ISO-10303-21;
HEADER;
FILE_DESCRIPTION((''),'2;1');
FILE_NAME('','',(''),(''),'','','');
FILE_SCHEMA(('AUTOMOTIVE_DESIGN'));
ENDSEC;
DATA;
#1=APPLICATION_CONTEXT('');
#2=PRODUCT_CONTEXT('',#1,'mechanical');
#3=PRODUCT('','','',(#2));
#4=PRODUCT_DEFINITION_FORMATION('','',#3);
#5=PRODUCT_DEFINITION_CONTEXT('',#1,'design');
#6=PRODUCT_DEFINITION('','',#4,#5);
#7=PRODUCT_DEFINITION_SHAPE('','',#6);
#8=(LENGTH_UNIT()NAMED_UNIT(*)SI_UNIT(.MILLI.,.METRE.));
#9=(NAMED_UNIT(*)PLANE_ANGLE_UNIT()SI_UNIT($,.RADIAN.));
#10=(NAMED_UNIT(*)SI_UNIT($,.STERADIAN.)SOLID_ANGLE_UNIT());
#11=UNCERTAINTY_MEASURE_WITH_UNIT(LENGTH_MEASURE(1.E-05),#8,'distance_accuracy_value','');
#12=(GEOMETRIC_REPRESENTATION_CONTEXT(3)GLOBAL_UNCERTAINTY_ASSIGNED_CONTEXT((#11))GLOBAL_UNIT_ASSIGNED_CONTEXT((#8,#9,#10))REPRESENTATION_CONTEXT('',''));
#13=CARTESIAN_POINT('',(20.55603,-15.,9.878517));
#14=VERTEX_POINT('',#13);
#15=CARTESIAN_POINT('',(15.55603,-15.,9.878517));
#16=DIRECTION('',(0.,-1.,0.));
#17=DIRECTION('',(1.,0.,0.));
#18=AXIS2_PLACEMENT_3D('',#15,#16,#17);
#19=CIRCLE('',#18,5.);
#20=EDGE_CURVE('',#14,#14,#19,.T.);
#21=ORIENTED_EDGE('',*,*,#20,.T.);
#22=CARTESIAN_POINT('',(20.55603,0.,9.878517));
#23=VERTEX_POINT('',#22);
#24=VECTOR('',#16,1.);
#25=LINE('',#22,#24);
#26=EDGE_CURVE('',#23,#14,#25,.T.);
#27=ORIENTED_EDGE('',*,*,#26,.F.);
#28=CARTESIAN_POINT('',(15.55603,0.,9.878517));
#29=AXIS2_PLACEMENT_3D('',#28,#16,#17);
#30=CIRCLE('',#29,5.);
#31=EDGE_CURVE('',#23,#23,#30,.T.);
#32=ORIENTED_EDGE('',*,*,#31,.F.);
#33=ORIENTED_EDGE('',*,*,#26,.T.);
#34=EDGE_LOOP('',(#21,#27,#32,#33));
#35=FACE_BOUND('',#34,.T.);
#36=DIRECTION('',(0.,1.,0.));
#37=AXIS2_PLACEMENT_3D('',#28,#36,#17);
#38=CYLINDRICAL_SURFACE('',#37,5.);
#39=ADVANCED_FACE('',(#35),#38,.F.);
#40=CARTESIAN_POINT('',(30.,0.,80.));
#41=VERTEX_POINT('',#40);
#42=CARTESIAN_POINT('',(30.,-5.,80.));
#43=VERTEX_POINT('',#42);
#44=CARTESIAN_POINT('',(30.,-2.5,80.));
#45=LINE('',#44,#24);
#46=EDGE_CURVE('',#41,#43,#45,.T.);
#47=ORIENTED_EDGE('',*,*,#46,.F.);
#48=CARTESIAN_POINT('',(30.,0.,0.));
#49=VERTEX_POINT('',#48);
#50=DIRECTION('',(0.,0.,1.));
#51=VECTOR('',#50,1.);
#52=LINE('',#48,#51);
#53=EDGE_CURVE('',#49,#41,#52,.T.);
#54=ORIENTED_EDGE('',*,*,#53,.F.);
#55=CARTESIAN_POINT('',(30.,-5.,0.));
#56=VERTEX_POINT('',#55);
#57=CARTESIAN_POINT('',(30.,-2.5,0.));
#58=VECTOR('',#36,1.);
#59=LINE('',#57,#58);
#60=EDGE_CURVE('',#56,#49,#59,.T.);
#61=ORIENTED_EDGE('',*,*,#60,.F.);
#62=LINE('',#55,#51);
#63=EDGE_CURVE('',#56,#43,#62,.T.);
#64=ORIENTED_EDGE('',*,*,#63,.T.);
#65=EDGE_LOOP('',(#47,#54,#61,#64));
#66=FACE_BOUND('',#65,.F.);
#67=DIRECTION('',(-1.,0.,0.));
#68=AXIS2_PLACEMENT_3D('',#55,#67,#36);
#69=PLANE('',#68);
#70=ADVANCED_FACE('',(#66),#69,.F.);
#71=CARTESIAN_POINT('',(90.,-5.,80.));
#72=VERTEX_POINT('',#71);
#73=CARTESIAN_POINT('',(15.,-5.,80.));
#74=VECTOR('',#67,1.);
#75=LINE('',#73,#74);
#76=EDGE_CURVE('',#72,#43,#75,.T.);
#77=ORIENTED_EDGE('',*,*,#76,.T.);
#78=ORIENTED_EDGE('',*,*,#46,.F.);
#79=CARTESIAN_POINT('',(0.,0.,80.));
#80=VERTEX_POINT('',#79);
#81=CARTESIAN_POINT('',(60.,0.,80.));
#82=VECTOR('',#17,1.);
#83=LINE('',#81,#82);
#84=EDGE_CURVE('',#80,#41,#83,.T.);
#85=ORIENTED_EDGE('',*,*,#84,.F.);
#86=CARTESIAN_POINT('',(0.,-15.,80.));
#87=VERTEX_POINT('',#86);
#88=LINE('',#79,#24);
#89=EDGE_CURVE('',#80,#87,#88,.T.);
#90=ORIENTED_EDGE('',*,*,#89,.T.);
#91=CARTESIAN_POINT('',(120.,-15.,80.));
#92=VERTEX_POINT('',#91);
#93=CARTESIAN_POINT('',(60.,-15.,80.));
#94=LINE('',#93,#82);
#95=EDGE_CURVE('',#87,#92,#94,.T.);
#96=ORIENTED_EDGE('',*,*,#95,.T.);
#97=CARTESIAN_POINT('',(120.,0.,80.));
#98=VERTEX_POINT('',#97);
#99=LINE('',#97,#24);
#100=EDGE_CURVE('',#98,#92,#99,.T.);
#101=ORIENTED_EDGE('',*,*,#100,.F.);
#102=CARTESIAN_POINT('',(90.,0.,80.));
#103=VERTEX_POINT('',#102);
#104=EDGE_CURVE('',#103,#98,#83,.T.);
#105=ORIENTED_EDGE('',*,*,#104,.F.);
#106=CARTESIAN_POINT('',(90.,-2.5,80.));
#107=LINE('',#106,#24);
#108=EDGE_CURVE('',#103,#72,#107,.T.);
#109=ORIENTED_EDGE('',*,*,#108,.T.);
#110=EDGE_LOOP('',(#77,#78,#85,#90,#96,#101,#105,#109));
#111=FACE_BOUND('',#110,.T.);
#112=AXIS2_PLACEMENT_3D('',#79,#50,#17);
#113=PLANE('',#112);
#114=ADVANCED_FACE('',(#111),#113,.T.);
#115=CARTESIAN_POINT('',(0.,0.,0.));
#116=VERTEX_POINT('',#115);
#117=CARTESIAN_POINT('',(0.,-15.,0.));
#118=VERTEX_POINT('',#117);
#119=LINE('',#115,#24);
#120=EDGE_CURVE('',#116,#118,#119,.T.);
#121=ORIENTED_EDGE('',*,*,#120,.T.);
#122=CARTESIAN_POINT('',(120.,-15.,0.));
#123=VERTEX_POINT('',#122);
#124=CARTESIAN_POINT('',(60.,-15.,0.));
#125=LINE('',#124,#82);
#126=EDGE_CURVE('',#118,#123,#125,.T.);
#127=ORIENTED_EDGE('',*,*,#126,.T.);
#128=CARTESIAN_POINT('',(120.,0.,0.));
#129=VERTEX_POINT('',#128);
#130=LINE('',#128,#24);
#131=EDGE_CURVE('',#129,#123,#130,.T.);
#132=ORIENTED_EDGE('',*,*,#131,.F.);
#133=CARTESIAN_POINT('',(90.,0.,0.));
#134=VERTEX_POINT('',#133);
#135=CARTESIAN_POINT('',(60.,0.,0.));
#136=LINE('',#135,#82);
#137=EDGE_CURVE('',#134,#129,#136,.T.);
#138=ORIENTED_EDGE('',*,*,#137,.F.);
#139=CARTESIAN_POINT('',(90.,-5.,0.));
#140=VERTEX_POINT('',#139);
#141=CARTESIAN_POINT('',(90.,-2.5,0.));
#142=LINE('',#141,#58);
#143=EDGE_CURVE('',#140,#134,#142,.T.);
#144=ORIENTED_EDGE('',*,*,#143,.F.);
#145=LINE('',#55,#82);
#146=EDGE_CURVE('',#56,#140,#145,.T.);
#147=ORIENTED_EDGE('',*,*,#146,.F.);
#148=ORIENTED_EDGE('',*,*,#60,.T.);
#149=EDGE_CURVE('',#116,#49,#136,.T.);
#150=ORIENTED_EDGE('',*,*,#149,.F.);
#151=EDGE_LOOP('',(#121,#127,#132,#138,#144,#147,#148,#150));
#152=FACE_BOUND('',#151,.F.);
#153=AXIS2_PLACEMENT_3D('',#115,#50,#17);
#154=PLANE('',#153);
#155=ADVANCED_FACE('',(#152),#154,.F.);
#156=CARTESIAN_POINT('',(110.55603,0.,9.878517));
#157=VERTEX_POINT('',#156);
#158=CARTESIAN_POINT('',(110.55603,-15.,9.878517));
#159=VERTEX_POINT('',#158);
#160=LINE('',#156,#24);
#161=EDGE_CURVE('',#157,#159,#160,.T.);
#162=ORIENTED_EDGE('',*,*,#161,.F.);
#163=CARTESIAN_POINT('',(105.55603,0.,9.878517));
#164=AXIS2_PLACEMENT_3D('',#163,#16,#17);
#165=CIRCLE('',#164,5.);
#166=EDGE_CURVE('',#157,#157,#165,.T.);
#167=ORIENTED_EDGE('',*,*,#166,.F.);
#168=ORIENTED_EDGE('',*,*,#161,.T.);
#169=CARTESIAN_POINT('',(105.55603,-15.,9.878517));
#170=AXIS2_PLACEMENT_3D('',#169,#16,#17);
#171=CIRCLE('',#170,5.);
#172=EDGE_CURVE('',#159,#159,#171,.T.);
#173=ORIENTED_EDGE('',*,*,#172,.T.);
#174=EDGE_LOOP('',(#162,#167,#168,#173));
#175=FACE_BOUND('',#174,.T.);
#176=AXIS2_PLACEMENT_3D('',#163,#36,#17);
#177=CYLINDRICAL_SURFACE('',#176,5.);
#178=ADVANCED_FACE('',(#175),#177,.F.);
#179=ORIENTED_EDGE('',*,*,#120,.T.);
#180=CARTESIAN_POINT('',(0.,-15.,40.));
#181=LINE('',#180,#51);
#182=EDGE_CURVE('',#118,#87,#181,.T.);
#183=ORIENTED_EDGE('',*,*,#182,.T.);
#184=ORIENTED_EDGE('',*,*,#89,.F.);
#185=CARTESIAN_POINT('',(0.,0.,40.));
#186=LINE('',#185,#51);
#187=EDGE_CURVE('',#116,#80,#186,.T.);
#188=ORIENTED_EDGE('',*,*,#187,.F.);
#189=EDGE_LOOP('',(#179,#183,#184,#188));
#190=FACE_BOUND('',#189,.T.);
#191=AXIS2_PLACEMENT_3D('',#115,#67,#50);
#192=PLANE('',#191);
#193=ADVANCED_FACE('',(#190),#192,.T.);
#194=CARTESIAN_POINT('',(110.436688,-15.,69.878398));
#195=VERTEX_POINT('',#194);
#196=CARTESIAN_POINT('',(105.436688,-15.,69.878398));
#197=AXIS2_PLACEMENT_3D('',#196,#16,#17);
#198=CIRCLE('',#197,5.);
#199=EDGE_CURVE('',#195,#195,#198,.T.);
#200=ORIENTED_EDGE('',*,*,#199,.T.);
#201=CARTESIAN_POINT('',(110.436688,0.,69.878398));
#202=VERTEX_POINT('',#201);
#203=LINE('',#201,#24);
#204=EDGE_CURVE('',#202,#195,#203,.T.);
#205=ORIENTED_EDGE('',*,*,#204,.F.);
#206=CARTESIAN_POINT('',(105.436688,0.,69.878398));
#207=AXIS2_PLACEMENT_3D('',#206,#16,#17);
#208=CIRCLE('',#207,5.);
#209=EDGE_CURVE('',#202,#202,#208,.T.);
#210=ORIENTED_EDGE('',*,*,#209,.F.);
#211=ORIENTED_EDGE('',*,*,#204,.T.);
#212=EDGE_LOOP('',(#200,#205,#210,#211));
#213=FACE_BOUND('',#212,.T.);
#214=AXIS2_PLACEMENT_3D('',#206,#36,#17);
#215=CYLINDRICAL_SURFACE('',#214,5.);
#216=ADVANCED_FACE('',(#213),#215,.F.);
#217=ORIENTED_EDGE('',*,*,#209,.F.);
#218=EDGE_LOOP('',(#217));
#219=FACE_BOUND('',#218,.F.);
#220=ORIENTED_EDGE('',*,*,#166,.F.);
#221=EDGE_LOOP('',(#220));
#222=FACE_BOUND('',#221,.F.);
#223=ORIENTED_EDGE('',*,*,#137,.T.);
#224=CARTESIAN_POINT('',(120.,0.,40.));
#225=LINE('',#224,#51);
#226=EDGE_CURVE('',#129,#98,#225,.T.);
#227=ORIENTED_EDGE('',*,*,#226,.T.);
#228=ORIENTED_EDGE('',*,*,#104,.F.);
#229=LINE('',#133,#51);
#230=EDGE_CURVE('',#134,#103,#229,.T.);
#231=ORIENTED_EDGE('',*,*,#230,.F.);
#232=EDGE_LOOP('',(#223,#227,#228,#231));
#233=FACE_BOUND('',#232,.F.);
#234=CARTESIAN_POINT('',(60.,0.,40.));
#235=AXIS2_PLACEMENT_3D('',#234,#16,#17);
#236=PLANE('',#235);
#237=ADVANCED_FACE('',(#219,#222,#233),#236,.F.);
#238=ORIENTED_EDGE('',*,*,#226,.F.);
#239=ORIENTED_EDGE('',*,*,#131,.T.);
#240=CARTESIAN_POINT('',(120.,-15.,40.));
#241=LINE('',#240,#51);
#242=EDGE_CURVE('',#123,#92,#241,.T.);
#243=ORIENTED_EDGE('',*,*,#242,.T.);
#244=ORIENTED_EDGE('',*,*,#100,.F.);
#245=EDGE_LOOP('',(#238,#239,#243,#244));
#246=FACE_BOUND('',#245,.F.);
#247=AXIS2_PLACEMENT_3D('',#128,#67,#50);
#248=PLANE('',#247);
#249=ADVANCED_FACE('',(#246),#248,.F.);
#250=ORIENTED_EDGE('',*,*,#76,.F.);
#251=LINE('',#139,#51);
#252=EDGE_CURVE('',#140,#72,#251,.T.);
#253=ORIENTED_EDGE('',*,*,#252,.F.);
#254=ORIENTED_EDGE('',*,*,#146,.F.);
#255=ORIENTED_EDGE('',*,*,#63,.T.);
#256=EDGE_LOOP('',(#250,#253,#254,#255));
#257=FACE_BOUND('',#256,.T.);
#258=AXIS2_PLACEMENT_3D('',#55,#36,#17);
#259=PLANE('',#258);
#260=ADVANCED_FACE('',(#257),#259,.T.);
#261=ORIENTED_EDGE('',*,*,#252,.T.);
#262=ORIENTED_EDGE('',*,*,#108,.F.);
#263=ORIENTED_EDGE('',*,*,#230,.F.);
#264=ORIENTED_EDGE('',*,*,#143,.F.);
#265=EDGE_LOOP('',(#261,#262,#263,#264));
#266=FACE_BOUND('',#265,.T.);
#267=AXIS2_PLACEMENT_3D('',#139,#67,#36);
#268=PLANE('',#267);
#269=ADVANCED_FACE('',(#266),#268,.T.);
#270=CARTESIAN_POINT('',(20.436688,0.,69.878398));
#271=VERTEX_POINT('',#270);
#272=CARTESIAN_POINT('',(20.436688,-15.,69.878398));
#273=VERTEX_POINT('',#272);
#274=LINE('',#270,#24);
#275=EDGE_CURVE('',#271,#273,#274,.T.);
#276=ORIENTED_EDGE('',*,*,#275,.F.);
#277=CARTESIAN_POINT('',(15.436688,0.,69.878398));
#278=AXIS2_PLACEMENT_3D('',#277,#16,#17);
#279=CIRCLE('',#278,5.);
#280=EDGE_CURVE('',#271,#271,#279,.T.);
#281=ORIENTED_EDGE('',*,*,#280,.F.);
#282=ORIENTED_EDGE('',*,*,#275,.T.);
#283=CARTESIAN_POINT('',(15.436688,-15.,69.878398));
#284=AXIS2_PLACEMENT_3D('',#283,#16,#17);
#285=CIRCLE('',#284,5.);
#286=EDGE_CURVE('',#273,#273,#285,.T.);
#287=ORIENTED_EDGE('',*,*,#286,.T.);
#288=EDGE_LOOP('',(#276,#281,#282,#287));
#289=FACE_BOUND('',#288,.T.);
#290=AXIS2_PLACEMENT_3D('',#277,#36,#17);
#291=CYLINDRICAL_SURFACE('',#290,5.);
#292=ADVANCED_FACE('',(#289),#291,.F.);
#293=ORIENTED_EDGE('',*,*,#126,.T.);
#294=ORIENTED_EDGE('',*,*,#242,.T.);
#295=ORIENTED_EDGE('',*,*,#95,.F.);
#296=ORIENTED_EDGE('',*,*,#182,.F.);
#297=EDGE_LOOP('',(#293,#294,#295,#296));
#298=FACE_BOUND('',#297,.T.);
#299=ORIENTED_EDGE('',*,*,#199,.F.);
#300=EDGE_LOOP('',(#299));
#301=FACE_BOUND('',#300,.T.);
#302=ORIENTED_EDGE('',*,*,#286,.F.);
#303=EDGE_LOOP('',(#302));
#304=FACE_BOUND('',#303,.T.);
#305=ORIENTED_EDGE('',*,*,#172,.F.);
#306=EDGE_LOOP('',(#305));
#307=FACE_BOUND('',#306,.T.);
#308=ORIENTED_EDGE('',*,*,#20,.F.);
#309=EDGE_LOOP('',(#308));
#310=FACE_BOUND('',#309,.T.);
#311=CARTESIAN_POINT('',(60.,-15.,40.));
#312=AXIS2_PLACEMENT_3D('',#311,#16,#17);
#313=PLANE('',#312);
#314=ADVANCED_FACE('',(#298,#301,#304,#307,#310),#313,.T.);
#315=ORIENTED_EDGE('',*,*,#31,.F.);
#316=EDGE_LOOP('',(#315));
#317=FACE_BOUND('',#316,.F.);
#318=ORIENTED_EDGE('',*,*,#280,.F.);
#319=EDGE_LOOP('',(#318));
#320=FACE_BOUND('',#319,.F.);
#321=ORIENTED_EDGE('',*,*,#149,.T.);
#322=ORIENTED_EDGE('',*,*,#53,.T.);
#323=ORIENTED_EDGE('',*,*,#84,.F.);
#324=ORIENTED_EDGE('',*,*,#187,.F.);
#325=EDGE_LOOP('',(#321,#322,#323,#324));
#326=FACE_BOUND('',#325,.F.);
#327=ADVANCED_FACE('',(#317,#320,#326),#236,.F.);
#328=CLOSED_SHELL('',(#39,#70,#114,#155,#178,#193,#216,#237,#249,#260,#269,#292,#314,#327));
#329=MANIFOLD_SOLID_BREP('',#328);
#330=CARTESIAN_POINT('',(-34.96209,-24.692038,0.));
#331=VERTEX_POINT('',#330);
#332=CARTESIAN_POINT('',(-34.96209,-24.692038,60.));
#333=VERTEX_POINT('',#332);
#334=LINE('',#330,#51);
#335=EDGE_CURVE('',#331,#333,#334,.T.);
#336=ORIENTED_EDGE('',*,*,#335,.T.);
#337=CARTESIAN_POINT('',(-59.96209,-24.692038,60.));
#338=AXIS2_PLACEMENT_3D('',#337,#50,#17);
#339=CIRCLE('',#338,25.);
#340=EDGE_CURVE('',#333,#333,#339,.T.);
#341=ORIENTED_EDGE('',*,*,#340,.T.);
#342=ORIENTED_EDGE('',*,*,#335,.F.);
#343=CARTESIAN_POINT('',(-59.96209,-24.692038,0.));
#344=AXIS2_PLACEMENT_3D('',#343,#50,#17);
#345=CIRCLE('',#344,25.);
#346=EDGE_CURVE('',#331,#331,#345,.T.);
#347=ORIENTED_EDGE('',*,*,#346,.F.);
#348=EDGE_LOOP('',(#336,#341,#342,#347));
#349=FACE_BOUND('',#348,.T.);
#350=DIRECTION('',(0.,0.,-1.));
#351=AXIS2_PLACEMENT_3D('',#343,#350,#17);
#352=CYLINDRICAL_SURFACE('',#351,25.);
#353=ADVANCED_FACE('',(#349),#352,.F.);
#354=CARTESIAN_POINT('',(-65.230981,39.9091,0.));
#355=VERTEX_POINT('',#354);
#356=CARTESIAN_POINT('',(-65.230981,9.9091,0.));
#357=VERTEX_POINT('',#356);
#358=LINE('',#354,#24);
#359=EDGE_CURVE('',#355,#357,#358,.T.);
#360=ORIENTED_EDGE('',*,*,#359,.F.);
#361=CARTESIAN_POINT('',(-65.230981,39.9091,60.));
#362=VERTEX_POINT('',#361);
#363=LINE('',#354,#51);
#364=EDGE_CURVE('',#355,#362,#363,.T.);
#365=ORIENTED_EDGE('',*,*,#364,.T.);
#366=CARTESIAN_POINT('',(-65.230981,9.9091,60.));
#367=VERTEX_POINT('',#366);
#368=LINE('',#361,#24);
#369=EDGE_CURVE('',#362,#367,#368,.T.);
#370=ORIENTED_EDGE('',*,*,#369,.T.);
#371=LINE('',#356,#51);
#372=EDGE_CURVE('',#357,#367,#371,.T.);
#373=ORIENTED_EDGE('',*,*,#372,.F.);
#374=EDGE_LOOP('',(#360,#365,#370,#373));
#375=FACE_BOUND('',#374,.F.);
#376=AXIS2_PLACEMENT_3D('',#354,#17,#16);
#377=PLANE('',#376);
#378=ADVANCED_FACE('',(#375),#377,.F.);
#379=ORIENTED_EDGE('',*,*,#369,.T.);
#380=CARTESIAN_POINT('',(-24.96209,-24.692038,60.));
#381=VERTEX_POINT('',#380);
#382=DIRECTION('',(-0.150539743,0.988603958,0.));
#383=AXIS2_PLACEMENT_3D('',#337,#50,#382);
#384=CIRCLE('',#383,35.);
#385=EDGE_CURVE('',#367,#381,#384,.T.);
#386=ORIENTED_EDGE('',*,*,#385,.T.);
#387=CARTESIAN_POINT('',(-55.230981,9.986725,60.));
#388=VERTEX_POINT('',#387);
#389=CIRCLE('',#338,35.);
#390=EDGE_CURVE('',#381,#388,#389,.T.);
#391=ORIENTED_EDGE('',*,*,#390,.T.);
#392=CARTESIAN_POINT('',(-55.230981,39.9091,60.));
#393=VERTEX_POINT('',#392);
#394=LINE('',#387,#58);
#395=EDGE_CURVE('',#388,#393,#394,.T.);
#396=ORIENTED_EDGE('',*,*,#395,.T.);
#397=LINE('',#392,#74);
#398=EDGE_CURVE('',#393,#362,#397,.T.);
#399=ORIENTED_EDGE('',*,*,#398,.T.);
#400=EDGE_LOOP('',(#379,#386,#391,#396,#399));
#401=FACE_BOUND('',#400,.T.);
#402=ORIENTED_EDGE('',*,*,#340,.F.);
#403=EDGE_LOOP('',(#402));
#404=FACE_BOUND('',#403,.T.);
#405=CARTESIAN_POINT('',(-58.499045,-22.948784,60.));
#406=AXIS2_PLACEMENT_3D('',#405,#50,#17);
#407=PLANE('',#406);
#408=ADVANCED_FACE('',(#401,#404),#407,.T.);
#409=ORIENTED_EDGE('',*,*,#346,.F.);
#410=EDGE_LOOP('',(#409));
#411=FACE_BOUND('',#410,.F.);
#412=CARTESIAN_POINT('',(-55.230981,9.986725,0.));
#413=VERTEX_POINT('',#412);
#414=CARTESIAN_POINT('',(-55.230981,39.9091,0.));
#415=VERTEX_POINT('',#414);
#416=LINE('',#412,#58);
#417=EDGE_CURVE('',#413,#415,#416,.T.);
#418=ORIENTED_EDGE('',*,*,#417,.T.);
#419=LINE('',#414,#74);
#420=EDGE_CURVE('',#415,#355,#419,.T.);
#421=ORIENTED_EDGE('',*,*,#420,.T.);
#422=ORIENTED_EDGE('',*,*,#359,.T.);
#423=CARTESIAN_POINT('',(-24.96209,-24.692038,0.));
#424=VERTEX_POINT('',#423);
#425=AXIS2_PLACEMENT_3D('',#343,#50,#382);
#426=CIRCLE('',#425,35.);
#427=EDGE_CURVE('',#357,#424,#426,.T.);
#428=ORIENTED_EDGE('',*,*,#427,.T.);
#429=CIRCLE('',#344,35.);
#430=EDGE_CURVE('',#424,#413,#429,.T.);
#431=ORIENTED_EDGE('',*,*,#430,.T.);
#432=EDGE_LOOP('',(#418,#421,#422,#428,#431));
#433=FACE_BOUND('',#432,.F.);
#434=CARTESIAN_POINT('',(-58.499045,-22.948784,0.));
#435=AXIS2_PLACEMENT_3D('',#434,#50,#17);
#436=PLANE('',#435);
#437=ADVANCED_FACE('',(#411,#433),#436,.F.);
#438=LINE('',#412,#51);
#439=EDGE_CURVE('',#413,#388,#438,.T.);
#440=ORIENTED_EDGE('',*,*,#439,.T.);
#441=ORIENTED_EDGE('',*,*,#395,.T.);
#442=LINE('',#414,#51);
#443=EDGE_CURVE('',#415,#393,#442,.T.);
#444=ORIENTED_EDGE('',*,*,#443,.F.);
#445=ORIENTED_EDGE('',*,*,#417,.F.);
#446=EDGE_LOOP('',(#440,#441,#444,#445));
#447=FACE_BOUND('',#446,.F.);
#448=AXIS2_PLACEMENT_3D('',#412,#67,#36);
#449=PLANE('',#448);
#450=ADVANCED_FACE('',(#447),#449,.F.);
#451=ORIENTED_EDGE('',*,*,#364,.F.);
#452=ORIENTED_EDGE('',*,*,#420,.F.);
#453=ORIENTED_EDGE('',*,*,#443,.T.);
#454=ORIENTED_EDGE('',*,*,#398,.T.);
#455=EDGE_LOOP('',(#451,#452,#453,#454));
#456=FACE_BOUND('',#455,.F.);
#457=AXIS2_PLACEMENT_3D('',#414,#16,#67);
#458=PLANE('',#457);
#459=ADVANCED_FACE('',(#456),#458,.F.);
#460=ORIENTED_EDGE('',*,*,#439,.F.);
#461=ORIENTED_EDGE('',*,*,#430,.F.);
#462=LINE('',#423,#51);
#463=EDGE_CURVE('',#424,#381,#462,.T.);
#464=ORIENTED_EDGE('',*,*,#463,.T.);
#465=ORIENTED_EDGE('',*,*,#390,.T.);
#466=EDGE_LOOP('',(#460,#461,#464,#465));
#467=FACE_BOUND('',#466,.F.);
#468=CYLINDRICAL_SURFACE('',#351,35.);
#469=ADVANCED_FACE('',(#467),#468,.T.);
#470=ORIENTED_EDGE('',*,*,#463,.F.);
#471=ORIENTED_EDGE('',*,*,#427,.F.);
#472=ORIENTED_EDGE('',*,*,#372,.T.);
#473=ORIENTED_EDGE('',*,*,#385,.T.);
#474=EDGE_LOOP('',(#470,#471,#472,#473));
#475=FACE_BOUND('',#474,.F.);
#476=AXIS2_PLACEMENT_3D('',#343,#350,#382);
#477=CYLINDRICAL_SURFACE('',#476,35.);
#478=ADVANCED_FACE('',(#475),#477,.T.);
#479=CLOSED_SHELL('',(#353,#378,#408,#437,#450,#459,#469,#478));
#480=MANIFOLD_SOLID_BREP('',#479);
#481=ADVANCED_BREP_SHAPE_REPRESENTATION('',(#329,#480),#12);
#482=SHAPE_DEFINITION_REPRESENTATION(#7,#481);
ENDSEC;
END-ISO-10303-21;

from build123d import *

# Parameters (mm, degrees)
F0_W      = 120
F0_H      = 80
F0_R      = 5
F1_DEPTH  = 15
F3_W      = 60
F3_H      = 5
F4_DEPTH  = 120
F5_W      = 10
F5_H      = 70.017156493
F6_DEPTH  = 40
F7_W      = 10.0020468235
F7_H      = 5.0063221715
F8_DEPTH  = 90
F10_R     = 25
F11_DEPTH = 60


with BuildPart() as f1:
    # F0 (on Front) → F1 (new body)
    with BuildSketch(Plane.XZ):
        with Locations((60, 40)):
            Rectangle(F0_W, F0_H)
        with Locations((15.5560296093, 9.8785167499)):
            Circle(F0_R, mode=Mode.SUBTRACT)
        with Locations((105.5560296093, 9.8785167499)):
            Circle(F0_R, mode=Mode.SUBTRACT)
        with Locations((15.4366883606, 69.8783980637)):
            Circle(F0_R, mode=Mode.SUBTRACT)
        with Locations((105.4366883606, 69.8783980637)):
            Circle(F0_R, mode=Mode.SUBTRACT)
    extrude(amount=F1_DEPTH)

    # F3 (on Top) → F4 (cut)
    with BuildSketch(Plane.XY):
        with Locations((60, -2.5)):
            Rectangle(F3_W, F3_H)
    extrude(amount=F4_DEPTH, mode=Mode.SUBTRACT)

    # F7 (on Top) → F8 (cut)
    with BuildSketch(Plane.XY):
        with Locations((84.9899873137, -2.5031610858)):
            Rectangle(F7_W, F7_H)
    extrude(amount=-F8_DEPTH, mode=Mode.SUBTRACT)


with BuildPart() as f1b:
    # F0 (on Front) → F1, piece 2 (new body)
    with BuildSketch(Plane.XZ):
        with Locations((195.5560296093, 9.8785167499)):
            Circle(F0_R)
    extrude(amount=F1_DEPTH)


with BuildPart() as f6:
    # F5 (on Front) → F6 (new body)
    with BuildSketch(Plane.XZ):
        with Locations((85, 39.9975791806)):
            Rectangle(F5_W, F5_H)
    extrude(amount=F6_DEPTH)


with BuildPart() as f11:
    # F10 (on Top) → F11 (new body)
    with BuildSketch(Plane.XY):
        with BuildLine():
            Line((-55.2309811049, 9.9091004567), (-65.2309811049, 9.9091004567))
            ThreePointArc((-65.2309811049, 9.9091004567), (-82.7720530048, -51.238329576), (-24.9620901048, -24.6920380741))
            ThreePointArc((-24.9620901048, -24.6920380741), (-33.5936542866, -1.6767042182), (-55.2309811049, 9.9867249896))
            Line((-55.2309811049, 9.9867249896), (-55.2309811049, 9.9091004567))
        make_face()
        with Locations((-59.9620901048, -24.6920380741)):
            Circle(F10_R, mode=Mode.SUBTRACT)
        with BuildLine():
            Line((-65.2309811049, 39.9091004567), (-65.2309811049, 9.9091004567))
            ThreePointArc((-65.2309811049, 9.9091004567), (-60.2337677851, 10.3069074991), (-55.2309811049, 9.9867249896))
            Line((-55.2309811049, 9.9867249896), (-55.2309811049, 39.9091004567))
            Line((-55.2309811049, 39.9091004567), (-65.2309811049, 39.9091004567))
        make_face()
        with BuildLine():
            ThreePointArc((-55.2309811049, 9.9867249896), (-60.2337677851, 10.3069074991), (-65.2309811049, 9.9091004567))
            Line((-65.2309811049, 9.9091004567), (-55.2309811049, 9.9091004567))
            Line((-55.2309811049, 9.9091004567), (-55.2309811049, 9.9867249896))
        make_face()
    extrude(amount=F11_DEPTH)


solid = Compound([f1.part, f11.part])
